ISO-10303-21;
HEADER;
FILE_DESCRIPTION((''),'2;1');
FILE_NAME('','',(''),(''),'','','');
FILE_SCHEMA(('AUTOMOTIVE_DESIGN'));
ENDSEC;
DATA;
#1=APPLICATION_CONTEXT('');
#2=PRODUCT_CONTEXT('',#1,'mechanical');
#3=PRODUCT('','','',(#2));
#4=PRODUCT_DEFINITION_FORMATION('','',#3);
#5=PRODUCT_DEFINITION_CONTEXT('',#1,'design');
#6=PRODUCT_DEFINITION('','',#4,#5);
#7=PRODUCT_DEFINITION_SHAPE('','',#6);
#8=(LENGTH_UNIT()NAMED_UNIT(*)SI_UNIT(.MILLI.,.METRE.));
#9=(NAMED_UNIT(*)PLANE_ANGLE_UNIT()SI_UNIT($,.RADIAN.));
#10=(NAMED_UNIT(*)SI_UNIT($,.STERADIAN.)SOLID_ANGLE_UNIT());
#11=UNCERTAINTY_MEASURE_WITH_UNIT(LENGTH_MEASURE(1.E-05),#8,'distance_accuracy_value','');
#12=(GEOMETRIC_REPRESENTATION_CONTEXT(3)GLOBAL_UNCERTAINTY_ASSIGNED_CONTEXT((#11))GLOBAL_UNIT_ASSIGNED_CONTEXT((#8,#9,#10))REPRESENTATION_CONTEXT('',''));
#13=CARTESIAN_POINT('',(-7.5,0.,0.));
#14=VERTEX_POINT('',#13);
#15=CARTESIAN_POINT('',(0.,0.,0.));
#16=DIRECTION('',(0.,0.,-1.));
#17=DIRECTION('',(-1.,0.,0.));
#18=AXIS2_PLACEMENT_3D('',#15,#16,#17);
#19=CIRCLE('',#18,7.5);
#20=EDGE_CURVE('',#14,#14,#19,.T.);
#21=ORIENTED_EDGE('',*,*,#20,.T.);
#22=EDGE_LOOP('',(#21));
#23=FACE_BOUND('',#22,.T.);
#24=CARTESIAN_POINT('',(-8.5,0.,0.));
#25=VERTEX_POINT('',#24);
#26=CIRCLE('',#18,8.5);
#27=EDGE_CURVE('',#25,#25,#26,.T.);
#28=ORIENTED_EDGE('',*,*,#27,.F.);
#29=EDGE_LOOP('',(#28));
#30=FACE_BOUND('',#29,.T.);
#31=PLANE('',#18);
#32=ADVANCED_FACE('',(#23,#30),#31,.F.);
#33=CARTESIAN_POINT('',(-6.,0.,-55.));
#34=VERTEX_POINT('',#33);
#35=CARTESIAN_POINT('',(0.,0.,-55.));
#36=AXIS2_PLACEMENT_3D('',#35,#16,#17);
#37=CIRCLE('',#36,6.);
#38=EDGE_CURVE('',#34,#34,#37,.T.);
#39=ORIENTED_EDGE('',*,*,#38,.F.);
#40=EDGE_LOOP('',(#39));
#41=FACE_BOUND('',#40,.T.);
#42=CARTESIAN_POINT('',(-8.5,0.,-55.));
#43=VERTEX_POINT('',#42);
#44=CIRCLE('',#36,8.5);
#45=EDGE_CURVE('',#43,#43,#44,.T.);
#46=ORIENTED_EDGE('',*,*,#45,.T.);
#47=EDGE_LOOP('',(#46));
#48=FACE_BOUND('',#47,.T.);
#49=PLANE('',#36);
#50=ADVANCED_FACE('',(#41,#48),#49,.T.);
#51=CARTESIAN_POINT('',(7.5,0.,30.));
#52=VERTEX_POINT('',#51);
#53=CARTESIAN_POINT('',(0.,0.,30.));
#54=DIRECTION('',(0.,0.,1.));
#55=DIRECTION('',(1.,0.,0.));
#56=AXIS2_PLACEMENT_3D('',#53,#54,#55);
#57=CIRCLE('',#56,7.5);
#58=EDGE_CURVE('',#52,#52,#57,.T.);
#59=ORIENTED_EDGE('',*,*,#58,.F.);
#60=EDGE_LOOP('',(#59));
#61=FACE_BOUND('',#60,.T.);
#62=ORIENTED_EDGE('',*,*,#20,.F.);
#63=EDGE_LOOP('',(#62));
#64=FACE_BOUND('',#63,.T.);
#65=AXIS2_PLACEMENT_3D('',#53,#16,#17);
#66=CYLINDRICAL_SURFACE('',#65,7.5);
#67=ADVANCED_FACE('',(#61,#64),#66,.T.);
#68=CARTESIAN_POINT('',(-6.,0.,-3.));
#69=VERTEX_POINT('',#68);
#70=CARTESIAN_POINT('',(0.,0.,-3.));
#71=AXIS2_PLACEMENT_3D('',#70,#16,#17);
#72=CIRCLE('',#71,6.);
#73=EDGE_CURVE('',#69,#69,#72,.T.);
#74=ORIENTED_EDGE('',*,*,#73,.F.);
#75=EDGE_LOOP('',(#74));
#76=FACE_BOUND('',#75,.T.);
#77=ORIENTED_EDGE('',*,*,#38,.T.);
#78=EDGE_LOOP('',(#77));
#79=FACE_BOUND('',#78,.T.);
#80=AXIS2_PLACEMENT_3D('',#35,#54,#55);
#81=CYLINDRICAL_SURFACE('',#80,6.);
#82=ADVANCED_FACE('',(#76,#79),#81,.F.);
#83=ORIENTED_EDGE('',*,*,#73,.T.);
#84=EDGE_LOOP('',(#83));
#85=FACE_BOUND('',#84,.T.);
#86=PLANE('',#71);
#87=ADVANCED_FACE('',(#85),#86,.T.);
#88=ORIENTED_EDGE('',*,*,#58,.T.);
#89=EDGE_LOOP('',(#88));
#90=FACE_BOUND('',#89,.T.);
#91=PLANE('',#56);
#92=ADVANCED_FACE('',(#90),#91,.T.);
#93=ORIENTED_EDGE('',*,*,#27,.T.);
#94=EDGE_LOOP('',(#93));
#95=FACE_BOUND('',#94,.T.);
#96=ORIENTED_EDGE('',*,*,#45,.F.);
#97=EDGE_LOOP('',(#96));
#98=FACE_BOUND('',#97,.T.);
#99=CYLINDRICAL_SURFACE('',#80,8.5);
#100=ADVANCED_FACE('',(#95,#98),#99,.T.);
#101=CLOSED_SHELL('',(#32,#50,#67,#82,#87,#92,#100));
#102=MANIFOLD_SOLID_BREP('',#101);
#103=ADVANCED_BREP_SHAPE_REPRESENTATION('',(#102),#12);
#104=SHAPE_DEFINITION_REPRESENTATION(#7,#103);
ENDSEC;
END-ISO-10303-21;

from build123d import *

# Parameters (mm, degrees)
SKETCH1_R           = 7.5
BOSS_EXTRUDE1_DEPTH = 30
SKETCH2_R           = 8.5
SKETCH2_R_2         = 6
BOSS_EXTRUDE2_DEPTH = 55
SKETCH3_R           = 6
BOSS_EXTRUDE3_DEPTH = 3


with BuildPart() as part:
    # Sketch1 → Boss-Extrude1 (new body)
    with BuildSketch(Plane.XY):
        Circle(SKETCH1_R)
    extrude(amount=BOSS_EXTRUDE1_DEPTH)

    # Sketch2 → Boss-Extrude2 (add)
    with BuildSketch(Plane(origin=(0, 0, 0), x_dir=(-1, 0, 0), z_dir=(0, 0, -1))):
        Circle(SKETCH2_R)
        Circle(SKETCH2_R_2, mode=Mode.SUBTRACT)
    extrude(amount=BOSS_EXTRUDE2_DEPTH)

    # Sketch3 → Boss-Extrude3 (add)
    with BuildSketch(Plane(origin=(0, 0, 0), x_dir=(-1, 0, 0), z_dir=(0, 0, -1))):
        Circle(SKETCH3_R)
    extrude(amount=BOSS_EXTRUDE3_DEPTH)


solid = part.part
